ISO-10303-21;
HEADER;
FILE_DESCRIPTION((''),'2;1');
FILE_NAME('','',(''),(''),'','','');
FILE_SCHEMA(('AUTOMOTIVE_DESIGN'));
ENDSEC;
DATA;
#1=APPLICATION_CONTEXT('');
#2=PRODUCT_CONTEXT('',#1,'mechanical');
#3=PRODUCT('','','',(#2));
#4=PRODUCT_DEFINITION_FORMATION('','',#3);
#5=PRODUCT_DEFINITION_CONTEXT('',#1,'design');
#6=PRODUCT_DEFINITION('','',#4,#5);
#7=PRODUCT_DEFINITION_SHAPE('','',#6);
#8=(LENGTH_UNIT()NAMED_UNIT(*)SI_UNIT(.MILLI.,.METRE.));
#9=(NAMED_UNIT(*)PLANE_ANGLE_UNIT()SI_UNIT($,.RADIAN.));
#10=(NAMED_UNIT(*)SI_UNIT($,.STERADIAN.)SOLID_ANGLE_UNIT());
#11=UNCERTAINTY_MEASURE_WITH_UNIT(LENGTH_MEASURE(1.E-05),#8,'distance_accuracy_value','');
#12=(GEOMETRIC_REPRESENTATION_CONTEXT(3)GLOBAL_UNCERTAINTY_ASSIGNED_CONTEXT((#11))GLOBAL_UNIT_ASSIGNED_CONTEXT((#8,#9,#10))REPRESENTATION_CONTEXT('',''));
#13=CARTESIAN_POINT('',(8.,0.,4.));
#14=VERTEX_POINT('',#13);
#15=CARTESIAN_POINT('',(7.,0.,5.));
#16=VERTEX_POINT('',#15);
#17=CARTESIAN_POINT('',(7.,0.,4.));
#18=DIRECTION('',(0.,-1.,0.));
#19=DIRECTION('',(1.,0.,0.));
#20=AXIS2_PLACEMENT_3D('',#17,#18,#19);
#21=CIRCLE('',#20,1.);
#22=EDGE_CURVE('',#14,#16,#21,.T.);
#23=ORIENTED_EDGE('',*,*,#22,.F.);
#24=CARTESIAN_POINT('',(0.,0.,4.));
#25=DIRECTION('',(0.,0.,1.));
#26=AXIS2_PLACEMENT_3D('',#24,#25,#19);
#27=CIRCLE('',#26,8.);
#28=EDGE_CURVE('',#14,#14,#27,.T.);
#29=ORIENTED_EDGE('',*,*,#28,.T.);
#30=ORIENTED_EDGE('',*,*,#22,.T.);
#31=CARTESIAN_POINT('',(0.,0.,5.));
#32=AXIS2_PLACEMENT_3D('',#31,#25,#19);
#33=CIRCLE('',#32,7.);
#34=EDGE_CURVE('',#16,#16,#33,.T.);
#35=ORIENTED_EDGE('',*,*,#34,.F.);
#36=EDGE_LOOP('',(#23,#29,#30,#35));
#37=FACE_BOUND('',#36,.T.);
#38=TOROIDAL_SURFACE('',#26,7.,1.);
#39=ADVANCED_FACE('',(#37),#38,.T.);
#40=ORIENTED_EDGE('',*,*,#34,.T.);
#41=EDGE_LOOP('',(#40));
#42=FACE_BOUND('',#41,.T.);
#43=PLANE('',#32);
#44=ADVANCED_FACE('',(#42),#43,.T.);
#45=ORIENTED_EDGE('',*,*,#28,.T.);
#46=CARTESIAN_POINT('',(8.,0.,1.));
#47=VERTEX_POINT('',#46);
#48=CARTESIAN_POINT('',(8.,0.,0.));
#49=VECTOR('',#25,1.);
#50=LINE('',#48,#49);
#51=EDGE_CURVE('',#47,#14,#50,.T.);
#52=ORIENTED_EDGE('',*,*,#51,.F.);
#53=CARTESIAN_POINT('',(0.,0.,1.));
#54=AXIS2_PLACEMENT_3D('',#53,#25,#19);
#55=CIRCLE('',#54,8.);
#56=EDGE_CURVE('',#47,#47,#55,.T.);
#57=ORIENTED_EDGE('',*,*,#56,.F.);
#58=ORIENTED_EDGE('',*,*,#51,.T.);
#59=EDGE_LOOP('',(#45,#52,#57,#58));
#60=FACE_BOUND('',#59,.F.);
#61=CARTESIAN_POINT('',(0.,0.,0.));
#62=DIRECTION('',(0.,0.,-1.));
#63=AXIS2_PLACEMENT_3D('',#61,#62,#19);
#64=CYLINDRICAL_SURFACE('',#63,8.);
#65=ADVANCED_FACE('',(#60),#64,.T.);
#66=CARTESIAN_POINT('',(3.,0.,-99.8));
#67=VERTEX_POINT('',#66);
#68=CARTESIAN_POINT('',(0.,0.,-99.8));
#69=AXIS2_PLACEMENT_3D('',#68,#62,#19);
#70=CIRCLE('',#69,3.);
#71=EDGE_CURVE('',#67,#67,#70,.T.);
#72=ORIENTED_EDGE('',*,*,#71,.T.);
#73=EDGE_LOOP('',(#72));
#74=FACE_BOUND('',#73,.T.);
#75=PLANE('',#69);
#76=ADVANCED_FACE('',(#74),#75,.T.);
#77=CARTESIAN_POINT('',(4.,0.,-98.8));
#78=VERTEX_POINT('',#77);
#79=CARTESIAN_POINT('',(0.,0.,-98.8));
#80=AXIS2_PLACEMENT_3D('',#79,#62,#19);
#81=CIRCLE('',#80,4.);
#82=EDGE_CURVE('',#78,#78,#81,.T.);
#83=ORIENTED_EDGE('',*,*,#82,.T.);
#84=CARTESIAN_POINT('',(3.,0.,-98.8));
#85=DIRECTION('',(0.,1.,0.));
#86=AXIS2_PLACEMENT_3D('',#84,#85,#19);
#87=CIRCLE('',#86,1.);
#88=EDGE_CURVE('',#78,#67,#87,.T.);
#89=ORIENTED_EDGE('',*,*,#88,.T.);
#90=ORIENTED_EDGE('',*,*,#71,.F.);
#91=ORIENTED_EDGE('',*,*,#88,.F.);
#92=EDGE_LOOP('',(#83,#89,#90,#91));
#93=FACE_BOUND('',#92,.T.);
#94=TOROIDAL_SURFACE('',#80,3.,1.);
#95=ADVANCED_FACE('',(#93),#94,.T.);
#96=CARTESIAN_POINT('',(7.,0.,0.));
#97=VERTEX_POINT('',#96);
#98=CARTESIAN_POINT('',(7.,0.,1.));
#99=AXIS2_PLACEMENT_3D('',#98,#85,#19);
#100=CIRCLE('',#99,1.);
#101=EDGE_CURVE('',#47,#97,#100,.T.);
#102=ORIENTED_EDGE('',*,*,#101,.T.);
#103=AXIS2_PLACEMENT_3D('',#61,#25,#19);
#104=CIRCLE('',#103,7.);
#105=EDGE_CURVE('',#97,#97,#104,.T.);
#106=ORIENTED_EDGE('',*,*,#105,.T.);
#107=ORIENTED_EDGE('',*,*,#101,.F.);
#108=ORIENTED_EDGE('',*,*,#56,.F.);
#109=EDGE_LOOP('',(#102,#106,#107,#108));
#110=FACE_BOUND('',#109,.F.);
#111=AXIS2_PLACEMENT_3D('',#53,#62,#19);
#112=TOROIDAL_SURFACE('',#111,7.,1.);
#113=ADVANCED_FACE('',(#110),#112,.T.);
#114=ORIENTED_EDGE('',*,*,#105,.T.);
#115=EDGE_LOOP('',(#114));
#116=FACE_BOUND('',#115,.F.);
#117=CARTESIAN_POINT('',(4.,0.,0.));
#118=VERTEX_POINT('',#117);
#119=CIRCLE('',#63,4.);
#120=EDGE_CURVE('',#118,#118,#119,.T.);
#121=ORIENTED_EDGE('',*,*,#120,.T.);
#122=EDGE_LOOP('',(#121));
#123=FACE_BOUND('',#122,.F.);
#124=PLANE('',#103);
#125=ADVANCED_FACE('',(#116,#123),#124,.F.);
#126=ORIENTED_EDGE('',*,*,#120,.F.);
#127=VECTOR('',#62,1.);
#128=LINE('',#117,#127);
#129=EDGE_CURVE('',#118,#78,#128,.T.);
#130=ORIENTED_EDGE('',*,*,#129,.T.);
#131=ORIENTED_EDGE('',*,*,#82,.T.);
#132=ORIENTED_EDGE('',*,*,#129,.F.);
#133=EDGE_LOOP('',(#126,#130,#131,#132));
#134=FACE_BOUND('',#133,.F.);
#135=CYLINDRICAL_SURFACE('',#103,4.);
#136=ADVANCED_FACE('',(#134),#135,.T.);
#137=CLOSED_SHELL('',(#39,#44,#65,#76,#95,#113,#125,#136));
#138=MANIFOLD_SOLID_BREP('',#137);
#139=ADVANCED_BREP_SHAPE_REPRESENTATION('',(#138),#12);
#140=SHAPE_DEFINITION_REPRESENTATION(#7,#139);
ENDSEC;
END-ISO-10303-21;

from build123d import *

# Parameters (mm, degrees)
F0_R     = 8
F1_DEPTH = 5
F2_R     = 4
F3_DEPTH = 99.8
F4_R     = 1


with BuildPart() as f1:
    # F0 (on Top) → F1 (new body)
    with BuildSketch(Plane.XY):
        Circle(F0_R)
    extrude(amount=F1_DEPTH)

    # F2 (on face) → F3 (join)
    with BuildSketch(Plane(origin=(0, 0, 0), x_dir=(1, 0, 0), z_dir=(0, 0, -1))):
        Circle(F2_R)
    extrude(amount=F3_DEPTH)

    # F4
    f4_edges = [f1.edges().sort_by_distance(p)[0] for p in [
        (-4, 0, -99.8),
        (-8, 0, 0),
        (-8, 0, 5),
    ]]
    fillet(f4_edges, radius=F4_R)


solid = f1.part
